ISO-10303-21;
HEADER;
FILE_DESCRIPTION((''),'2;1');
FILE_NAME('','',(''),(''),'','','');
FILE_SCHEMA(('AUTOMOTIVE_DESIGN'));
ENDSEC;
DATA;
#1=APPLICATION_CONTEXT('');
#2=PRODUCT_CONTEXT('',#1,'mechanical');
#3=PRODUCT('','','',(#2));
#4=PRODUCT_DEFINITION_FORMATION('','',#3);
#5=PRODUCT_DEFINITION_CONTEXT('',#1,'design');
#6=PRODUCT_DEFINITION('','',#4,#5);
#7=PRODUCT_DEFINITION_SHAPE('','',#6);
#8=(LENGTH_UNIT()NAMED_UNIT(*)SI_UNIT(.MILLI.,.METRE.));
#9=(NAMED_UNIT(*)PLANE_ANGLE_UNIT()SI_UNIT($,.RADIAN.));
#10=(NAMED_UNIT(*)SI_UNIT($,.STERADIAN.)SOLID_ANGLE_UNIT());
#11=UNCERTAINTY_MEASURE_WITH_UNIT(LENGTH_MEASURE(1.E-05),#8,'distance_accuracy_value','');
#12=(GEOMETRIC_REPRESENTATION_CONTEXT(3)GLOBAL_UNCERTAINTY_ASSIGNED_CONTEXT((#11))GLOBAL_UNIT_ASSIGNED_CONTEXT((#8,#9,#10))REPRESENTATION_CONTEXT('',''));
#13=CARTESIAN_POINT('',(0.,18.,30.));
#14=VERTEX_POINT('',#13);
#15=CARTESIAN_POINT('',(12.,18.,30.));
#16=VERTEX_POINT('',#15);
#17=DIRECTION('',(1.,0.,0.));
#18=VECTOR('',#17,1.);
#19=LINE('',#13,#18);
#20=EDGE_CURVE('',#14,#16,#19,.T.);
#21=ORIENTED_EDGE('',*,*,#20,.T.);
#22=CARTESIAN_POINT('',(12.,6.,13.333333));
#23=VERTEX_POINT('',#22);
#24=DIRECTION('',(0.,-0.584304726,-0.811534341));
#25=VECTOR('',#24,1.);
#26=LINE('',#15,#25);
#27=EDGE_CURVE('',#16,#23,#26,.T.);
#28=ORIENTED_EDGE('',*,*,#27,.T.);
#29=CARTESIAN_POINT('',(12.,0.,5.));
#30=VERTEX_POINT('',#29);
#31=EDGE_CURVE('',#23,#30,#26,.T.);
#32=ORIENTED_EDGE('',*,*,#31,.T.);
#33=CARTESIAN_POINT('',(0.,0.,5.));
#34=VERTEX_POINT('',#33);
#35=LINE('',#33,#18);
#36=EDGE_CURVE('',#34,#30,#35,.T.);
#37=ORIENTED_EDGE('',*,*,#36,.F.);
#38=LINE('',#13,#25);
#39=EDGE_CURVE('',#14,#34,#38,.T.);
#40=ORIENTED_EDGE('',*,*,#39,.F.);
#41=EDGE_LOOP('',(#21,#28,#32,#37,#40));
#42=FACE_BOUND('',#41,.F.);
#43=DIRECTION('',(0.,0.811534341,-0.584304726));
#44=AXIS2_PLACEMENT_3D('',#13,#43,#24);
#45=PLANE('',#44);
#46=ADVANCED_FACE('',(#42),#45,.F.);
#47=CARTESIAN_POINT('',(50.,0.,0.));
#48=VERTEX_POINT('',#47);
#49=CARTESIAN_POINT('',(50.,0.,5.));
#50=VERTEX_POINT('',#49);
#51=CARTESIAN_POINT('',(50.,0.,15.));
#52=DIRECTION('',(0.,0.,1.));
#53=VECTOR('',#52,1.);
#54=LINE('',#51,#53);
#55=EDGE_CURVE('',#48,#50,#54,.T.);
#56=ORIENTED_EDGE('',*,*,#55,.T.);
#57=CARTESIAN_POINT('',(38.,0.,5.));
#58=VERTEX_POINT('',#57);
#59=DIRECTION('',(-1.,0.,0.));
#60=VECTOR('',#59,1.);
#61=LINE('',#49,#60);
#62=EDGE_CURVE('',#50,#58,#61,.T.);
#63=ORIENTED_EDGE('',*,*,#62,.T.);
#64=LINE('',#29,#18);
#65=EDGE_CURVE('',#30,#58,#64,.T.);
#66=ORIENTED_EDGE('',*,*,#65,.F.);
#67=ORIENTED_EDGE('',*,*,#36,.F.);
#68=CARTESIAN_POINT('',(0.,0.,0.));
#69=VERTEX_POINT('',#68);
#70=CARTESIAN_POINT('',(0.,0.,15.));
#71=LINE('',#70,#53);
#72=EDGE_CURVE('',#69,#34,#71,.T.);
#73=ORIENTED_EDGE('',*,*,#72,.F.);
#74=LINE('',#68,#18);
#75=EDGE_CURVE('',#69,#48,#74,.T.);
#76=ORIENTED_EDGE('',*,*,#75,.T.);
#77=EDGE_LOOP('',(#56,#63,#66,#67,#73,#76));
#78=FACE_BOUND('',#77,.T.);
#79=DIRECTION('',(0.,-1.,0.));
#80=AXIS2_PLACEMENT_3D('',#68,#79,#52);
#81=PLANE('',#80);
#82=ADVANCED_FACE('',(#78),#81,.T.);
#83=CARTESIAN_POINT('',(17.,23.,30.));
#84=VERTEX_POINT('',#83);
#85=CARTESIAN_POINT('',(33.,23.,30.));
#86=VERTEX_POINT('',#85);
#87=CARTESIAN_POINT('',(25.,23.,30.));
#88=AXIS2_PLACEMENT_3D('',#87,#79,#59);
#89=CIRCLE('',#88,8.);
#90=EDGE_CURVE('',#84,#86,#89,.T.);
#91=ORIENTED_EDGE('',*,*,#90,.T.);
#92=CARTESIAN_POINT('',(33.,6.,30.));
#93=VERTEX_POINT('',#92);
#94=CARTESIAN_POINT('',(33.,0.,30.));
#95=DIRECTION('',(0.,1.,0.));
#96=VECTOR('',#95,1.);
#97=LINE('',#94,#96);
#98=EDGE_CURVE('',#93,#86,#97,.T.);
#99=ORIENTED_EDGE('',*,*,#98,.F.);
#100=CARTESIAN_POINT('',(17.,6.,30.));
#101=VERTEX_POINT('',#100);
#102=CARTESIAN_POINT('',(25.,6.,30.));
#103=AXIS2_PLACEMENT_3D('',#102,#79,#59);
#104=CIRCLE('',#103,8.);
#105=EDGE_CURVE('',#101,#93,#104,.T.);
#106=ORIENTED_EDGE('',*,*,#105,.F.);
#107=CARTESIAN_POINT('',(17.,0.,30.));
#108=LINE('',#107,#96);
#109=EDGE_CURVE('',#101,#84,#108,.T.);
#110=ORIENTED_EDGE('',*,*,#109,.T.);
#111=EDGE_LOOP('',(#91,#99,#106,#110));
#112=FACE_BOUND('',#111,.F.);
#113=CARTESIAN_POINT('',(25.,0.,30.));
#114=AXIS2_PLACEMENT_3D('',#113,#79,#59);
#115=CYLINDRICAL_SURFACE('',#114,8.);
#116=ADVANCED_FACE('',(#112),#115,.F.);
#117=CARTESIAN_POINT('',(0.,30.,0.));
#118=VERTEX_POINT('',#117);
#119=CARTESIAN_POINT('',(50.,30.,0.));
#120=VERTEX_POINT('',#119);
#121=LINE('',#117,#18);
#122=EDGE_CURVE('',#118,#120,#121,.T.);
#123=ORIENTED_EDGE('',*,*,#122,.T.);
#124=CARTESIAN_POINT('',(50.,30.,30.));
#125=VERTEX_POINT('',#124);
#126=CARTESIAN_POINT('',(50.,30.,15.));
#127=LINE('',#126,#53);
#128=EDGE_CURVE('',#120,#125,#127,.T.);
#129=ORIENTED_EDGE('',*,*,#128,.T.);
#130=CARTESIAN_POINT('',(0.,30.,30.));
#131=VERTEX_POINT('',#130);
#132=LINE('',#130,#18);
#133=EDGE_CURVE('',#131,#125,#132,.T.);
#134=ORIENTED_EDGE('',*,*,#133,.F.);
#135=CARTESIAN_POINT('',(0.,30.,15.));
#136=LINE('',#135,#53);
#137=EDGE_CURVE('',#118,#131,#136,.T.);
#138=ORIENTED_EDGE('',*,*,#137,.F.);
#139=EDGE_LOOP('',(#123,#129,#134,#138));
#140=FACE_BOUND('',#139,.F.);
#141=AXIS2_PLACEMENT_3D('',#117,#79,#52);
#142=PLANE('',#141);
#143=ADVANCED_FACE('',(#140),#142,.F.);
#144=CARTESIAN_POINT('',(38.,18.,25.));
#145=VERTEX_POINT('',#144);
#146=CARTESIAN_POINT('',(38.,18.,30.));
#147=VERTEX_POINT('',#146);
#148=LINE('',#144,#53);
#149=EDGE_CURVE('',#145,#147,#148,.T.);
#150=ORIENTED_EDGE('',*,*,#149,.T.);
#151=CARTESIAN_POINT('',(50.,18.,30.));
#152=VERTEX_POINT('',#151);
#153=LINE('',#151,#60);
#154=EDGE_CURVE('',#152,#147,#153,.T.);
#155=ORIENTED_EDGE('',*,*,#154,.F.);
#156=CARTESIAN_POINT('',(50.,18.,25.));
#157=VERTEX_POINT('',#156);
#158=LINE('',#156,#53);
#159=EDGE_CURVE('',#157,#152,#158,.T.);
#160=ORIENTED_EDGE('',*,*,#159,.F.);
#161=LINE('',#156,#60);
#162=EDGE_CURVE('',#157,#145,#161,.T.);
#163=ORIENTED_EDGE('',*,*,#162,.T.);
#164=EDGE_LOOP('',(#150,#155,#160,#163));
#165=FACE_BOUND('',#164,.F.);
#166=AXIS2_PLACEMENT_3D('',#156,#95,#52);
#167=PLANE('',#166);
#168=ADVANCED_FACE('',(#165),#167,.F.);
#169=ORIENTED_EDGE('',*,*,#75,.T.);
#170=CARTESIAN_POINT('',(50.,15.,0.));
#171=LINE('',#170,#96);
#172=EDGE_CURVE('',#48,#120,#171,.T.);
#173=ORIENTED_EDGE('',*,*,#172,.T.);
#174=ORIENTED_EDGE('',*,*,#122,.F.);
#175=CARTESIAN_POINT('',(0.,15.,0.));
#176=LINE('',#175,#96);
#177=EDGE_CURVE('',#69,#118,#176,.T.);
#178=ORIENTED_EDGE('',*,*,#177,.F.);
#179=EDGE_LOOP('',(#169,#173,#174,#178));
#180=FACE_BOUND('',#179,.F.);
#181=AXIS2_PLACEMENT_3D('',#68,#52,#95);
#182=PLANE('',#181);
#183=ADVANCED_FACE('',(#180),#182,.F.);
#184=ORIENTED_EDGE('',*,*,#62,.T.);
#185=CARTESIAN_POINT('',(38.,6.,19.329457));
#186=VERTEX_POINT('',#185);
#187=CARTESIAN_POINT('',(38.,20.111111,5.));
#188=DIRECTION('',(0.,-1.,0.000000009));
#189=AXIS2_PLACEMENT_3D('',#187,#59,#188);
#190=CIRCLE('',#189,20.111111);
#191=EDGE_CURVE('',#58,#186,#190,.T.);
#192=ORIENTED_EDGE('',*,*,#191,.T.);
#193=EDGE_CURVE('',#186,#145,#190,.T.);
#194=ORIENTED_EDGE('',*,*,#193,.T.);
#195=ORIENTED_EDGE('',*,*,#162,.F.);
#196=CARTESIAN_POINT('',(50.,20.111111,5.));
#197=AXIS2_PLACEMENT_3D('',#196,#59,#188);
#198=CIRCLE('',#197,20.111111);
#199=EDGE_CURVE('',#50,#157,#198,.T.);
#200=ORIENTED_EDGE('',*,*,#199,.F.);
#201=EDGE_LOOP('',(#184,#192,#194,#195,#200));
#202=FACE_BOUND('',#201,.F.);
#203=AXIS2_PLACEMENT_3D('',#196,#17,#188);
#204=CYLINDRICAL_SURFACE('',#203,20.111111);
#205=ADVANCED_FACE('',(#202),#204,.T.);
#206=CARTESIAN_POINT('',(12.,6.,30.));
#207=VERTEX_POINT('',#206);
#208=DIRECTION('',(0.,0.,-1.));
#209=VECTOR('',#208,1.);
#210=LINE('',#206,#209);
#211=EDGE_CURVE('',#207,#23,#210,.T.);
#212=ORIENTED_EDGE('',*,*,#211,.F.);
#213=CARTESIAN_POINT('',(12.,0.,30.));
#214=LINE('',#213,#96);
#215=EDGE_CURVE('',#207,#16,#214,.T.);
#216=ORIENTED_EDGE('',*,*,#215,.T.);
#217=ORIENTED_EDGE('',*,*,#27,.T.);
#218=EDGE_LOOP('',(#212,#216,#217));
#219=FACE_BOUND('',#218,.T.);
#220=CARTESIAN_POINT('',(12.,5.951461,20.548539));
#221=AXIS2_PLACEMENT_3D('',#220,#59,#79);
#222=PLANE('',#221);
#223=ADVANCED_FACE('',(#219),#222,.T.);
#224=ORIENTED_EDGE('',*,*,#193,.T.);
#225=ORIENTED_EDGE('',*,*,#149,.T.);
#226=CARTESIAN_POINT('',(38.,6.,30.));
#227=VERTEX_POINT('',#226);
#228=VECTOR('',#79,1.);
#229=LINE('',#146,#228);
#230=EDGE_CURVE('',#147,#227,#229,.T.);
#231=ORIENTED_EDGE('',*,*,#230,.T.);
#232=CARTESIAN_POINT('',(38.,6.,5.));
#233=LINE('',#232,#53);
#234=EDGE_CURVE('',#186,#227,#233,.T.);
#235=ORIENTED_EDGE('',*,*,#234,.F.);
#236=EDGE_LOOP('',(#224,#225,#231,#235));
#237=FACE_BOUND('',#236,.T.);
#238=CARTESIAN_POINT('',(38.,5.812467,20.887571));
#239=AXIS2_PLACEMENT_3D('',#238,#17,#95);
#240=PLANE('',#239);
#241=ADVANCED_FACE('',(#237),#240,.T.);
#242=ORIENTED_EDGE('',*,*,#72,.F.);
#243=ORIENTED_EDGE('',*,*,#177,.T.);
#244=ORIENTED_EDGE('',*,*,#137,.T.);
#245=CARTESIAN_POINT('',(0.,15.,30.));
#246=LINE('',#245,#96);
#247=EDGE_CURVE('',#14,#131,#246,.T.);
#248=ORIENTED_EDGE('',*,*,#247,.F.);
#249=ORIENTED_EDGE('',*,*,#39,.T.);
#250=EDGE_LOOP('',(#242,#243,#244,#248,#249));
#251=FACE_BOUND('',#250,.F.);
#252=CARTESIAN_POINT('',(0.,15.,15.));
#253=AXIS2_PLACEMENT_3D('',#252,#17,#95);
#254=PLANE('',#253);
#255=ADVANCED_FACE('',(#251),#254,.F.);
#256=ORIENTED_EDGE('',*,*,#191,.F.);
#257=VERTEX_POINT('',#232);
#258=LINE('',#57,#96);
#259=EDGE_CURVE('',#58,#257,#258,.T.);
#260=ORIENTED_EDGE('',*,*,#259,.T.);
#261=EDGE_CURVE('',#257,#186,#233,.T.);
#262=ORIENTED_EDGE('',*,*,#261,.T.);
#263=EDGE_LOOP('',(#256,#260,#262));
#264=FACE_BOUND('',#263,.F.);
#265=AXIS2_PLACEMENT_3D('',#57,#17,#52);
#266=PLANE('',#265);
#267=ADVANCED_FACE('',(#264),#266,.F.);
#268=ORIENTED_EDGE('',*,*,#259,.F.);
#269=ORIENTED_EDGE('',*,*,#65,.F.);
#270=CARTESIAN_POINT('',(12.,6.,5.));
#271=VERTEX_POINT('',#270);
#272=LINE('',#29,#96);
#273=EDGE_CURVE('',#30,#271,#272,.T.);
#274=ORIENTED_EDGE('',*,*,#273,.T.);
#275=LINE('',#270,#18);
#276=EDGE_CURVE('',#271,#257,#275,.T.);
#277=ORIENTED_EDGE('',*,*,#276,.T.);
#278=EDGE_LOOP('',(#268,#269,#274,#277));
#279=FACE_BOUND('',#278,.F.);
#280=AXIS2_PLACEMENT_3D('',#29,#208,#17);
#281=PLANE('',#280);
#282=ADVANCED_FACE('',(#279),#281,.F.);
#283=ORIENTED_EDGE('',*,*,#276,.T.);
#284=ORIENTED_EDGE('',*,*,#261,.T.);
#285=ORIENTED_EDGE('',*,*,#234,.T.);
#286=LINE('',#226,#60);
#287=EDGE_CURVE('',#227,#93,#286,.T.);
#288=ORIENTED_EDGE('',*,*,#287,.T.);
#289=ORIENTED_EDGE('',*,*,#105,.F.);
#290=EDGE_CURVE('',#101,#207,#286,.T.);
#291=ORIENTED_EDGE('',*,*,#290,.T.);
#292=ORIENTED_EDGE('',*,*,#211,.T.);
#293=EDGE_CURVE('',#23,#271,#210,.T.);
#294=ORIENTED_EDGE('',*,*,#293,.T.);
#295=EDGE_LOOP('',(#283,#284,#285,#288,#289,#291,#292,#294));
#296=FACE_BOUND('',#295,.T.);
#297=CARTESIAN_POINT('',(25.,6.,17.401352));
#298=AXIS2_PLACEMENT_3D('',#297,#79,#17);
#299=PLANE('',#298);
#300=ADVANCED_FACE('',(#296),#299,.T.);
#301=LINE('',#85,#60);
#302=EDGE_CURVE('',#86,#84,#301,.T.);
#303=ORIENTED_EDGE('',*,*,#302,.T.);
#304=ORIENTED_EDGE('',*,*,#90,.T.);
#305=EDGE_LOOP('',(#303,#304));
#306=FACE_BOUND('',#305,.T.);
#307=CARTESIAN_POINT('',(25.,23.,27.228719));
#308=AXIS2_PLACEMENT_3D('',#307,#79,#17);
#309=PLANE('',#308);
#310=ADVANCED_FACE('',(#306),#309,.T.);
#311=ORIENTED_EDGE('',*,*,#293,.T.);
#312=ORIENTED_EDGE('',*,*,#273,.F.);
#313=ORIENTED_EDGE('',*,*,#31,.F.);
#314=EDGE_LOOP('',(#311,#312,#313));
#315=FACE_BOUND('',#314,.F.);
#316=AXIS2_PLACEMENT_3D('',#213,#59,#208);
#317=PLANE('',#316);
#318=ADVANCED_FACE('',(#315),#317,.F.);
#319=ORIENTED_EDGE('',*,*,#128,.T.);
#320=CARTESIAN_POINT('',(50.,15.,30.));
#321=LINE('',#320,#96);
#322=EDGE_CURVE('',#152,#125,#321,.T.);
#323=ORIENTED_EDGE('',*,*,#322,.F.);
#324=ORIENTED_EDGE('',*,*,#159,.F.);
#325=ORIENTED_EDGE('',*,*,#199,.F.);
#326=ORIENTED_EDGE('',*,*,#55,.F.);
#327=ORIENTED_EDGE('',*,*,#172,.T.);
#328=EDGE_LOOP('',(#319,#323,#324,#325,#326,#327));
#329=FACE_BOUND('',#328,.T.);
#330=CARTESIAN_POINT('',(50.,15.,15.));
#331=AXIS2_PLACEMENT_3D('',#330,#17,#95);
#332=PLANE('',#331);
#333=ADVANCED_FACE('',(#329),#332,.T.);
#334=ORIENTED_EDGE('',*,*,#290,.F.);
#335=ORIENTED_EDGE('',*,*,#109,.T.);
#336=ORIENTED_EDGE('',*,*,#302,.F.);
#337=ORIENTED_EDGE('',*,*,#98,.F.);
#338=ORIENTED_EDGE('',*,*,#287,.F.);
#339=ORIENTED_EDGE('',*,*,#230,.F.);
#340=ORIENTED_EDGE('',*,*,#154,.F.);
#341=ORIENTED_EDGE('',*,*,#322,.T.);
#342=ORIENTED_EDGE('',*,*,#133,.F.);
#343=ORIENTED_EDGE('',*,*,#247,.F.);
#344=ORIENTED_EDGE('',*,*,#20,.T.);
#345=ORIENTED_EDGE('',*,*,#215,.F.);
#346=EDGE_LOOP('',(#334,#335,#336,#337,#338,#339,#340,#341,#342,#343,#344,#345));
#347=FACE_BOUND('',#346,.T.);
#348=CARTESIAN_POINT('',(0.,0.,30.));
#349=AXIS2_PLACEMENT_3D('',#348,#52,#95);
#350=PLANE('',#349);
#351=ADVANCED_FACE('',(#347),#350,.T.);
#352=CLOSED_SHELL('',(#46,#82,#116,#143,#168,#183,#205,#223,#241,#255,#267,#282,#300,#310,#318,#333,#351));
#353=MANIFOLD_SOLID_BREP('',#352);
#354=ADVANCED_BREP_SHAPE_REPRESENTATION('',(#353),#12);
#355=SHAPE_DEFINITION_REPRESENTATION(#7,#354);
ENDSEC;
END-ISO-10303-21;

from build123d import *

# Parameters (mm, degrees)
F0_W     = 30
F0_H     = 30
F1_DEPTH = 50
F3_DEPTH = 12
F5_DEPTH = 12
F7_DEPTH = 6
F8_DEPTH = 23


with BuildPart() as f1:
    # F0 (on Right) → F1 (new body)
    with BuildSketch(Plane.YZ):
        with Locations((15, 15)):
            Rectangle(F0_W, F0_H)
    extrude(amount=F1_DEPTH)

    # F2 (on face) → F3 (cut)
    with BuildSketch(Plane.YZ.offset(50)):
        with BuildLine():
            Line((18, 25), (18, 30))
            Line((18, 30), (0, 30))
            Line((0, 30), (0, 5))
            ThreePointArc((0, 5), (5.16264, 18.453624), (18, 25))
        make_face()
    extrude(amount=-F3_DEPTH, mode=Mode.SUBTRACT)

    # F4 (on face) → F5 (cut)
    with BuildSketch(Plane(origin=(0, 0, 0), x_dir=(0, -1, 0), z_dir=(-1, 0, 0))):
        Polygon((0, 30), (-18, 30), (0, 5), align=None)
    extrude(amount=-F5_DEPTH, mode=Mode.SUBTRACT)

    # F6 (on face) → F7 (cut)
    with BuildSketch(Plane.XZ):
        with BuildLine():
            Line((12, 30), (12, 5))
            Line((12, 5), (38, 5))
            Line((38, 5), (38, 30))
            Line((38, 30), (33, 30))
            ThreePointArc((33, 30), (25, 22), (17, 30))
            Line((17, 30), (12, 30))
        make_face()
        with BuildLine():
            Line((33, 30), (17, 30))
            ThreePointArc((17, 30), (25, 22), (33, 30))
        make_face()
    extrude(amount=-F7_DEPTH, mode=Mode.SUBTRACT)

    # F6 (on face) → F8 (cut)
    with BuildSketch(Plane.XZ):
        with BuildLine():
            Line((33, 30), (17, 30))
            ThreePointArc((17, 30), (25, 22), (33, 30))
        make_face()
    extrude(amount=-F8_DEPTH, mode=Mode.SUBTRACT)


solid = f1.part
